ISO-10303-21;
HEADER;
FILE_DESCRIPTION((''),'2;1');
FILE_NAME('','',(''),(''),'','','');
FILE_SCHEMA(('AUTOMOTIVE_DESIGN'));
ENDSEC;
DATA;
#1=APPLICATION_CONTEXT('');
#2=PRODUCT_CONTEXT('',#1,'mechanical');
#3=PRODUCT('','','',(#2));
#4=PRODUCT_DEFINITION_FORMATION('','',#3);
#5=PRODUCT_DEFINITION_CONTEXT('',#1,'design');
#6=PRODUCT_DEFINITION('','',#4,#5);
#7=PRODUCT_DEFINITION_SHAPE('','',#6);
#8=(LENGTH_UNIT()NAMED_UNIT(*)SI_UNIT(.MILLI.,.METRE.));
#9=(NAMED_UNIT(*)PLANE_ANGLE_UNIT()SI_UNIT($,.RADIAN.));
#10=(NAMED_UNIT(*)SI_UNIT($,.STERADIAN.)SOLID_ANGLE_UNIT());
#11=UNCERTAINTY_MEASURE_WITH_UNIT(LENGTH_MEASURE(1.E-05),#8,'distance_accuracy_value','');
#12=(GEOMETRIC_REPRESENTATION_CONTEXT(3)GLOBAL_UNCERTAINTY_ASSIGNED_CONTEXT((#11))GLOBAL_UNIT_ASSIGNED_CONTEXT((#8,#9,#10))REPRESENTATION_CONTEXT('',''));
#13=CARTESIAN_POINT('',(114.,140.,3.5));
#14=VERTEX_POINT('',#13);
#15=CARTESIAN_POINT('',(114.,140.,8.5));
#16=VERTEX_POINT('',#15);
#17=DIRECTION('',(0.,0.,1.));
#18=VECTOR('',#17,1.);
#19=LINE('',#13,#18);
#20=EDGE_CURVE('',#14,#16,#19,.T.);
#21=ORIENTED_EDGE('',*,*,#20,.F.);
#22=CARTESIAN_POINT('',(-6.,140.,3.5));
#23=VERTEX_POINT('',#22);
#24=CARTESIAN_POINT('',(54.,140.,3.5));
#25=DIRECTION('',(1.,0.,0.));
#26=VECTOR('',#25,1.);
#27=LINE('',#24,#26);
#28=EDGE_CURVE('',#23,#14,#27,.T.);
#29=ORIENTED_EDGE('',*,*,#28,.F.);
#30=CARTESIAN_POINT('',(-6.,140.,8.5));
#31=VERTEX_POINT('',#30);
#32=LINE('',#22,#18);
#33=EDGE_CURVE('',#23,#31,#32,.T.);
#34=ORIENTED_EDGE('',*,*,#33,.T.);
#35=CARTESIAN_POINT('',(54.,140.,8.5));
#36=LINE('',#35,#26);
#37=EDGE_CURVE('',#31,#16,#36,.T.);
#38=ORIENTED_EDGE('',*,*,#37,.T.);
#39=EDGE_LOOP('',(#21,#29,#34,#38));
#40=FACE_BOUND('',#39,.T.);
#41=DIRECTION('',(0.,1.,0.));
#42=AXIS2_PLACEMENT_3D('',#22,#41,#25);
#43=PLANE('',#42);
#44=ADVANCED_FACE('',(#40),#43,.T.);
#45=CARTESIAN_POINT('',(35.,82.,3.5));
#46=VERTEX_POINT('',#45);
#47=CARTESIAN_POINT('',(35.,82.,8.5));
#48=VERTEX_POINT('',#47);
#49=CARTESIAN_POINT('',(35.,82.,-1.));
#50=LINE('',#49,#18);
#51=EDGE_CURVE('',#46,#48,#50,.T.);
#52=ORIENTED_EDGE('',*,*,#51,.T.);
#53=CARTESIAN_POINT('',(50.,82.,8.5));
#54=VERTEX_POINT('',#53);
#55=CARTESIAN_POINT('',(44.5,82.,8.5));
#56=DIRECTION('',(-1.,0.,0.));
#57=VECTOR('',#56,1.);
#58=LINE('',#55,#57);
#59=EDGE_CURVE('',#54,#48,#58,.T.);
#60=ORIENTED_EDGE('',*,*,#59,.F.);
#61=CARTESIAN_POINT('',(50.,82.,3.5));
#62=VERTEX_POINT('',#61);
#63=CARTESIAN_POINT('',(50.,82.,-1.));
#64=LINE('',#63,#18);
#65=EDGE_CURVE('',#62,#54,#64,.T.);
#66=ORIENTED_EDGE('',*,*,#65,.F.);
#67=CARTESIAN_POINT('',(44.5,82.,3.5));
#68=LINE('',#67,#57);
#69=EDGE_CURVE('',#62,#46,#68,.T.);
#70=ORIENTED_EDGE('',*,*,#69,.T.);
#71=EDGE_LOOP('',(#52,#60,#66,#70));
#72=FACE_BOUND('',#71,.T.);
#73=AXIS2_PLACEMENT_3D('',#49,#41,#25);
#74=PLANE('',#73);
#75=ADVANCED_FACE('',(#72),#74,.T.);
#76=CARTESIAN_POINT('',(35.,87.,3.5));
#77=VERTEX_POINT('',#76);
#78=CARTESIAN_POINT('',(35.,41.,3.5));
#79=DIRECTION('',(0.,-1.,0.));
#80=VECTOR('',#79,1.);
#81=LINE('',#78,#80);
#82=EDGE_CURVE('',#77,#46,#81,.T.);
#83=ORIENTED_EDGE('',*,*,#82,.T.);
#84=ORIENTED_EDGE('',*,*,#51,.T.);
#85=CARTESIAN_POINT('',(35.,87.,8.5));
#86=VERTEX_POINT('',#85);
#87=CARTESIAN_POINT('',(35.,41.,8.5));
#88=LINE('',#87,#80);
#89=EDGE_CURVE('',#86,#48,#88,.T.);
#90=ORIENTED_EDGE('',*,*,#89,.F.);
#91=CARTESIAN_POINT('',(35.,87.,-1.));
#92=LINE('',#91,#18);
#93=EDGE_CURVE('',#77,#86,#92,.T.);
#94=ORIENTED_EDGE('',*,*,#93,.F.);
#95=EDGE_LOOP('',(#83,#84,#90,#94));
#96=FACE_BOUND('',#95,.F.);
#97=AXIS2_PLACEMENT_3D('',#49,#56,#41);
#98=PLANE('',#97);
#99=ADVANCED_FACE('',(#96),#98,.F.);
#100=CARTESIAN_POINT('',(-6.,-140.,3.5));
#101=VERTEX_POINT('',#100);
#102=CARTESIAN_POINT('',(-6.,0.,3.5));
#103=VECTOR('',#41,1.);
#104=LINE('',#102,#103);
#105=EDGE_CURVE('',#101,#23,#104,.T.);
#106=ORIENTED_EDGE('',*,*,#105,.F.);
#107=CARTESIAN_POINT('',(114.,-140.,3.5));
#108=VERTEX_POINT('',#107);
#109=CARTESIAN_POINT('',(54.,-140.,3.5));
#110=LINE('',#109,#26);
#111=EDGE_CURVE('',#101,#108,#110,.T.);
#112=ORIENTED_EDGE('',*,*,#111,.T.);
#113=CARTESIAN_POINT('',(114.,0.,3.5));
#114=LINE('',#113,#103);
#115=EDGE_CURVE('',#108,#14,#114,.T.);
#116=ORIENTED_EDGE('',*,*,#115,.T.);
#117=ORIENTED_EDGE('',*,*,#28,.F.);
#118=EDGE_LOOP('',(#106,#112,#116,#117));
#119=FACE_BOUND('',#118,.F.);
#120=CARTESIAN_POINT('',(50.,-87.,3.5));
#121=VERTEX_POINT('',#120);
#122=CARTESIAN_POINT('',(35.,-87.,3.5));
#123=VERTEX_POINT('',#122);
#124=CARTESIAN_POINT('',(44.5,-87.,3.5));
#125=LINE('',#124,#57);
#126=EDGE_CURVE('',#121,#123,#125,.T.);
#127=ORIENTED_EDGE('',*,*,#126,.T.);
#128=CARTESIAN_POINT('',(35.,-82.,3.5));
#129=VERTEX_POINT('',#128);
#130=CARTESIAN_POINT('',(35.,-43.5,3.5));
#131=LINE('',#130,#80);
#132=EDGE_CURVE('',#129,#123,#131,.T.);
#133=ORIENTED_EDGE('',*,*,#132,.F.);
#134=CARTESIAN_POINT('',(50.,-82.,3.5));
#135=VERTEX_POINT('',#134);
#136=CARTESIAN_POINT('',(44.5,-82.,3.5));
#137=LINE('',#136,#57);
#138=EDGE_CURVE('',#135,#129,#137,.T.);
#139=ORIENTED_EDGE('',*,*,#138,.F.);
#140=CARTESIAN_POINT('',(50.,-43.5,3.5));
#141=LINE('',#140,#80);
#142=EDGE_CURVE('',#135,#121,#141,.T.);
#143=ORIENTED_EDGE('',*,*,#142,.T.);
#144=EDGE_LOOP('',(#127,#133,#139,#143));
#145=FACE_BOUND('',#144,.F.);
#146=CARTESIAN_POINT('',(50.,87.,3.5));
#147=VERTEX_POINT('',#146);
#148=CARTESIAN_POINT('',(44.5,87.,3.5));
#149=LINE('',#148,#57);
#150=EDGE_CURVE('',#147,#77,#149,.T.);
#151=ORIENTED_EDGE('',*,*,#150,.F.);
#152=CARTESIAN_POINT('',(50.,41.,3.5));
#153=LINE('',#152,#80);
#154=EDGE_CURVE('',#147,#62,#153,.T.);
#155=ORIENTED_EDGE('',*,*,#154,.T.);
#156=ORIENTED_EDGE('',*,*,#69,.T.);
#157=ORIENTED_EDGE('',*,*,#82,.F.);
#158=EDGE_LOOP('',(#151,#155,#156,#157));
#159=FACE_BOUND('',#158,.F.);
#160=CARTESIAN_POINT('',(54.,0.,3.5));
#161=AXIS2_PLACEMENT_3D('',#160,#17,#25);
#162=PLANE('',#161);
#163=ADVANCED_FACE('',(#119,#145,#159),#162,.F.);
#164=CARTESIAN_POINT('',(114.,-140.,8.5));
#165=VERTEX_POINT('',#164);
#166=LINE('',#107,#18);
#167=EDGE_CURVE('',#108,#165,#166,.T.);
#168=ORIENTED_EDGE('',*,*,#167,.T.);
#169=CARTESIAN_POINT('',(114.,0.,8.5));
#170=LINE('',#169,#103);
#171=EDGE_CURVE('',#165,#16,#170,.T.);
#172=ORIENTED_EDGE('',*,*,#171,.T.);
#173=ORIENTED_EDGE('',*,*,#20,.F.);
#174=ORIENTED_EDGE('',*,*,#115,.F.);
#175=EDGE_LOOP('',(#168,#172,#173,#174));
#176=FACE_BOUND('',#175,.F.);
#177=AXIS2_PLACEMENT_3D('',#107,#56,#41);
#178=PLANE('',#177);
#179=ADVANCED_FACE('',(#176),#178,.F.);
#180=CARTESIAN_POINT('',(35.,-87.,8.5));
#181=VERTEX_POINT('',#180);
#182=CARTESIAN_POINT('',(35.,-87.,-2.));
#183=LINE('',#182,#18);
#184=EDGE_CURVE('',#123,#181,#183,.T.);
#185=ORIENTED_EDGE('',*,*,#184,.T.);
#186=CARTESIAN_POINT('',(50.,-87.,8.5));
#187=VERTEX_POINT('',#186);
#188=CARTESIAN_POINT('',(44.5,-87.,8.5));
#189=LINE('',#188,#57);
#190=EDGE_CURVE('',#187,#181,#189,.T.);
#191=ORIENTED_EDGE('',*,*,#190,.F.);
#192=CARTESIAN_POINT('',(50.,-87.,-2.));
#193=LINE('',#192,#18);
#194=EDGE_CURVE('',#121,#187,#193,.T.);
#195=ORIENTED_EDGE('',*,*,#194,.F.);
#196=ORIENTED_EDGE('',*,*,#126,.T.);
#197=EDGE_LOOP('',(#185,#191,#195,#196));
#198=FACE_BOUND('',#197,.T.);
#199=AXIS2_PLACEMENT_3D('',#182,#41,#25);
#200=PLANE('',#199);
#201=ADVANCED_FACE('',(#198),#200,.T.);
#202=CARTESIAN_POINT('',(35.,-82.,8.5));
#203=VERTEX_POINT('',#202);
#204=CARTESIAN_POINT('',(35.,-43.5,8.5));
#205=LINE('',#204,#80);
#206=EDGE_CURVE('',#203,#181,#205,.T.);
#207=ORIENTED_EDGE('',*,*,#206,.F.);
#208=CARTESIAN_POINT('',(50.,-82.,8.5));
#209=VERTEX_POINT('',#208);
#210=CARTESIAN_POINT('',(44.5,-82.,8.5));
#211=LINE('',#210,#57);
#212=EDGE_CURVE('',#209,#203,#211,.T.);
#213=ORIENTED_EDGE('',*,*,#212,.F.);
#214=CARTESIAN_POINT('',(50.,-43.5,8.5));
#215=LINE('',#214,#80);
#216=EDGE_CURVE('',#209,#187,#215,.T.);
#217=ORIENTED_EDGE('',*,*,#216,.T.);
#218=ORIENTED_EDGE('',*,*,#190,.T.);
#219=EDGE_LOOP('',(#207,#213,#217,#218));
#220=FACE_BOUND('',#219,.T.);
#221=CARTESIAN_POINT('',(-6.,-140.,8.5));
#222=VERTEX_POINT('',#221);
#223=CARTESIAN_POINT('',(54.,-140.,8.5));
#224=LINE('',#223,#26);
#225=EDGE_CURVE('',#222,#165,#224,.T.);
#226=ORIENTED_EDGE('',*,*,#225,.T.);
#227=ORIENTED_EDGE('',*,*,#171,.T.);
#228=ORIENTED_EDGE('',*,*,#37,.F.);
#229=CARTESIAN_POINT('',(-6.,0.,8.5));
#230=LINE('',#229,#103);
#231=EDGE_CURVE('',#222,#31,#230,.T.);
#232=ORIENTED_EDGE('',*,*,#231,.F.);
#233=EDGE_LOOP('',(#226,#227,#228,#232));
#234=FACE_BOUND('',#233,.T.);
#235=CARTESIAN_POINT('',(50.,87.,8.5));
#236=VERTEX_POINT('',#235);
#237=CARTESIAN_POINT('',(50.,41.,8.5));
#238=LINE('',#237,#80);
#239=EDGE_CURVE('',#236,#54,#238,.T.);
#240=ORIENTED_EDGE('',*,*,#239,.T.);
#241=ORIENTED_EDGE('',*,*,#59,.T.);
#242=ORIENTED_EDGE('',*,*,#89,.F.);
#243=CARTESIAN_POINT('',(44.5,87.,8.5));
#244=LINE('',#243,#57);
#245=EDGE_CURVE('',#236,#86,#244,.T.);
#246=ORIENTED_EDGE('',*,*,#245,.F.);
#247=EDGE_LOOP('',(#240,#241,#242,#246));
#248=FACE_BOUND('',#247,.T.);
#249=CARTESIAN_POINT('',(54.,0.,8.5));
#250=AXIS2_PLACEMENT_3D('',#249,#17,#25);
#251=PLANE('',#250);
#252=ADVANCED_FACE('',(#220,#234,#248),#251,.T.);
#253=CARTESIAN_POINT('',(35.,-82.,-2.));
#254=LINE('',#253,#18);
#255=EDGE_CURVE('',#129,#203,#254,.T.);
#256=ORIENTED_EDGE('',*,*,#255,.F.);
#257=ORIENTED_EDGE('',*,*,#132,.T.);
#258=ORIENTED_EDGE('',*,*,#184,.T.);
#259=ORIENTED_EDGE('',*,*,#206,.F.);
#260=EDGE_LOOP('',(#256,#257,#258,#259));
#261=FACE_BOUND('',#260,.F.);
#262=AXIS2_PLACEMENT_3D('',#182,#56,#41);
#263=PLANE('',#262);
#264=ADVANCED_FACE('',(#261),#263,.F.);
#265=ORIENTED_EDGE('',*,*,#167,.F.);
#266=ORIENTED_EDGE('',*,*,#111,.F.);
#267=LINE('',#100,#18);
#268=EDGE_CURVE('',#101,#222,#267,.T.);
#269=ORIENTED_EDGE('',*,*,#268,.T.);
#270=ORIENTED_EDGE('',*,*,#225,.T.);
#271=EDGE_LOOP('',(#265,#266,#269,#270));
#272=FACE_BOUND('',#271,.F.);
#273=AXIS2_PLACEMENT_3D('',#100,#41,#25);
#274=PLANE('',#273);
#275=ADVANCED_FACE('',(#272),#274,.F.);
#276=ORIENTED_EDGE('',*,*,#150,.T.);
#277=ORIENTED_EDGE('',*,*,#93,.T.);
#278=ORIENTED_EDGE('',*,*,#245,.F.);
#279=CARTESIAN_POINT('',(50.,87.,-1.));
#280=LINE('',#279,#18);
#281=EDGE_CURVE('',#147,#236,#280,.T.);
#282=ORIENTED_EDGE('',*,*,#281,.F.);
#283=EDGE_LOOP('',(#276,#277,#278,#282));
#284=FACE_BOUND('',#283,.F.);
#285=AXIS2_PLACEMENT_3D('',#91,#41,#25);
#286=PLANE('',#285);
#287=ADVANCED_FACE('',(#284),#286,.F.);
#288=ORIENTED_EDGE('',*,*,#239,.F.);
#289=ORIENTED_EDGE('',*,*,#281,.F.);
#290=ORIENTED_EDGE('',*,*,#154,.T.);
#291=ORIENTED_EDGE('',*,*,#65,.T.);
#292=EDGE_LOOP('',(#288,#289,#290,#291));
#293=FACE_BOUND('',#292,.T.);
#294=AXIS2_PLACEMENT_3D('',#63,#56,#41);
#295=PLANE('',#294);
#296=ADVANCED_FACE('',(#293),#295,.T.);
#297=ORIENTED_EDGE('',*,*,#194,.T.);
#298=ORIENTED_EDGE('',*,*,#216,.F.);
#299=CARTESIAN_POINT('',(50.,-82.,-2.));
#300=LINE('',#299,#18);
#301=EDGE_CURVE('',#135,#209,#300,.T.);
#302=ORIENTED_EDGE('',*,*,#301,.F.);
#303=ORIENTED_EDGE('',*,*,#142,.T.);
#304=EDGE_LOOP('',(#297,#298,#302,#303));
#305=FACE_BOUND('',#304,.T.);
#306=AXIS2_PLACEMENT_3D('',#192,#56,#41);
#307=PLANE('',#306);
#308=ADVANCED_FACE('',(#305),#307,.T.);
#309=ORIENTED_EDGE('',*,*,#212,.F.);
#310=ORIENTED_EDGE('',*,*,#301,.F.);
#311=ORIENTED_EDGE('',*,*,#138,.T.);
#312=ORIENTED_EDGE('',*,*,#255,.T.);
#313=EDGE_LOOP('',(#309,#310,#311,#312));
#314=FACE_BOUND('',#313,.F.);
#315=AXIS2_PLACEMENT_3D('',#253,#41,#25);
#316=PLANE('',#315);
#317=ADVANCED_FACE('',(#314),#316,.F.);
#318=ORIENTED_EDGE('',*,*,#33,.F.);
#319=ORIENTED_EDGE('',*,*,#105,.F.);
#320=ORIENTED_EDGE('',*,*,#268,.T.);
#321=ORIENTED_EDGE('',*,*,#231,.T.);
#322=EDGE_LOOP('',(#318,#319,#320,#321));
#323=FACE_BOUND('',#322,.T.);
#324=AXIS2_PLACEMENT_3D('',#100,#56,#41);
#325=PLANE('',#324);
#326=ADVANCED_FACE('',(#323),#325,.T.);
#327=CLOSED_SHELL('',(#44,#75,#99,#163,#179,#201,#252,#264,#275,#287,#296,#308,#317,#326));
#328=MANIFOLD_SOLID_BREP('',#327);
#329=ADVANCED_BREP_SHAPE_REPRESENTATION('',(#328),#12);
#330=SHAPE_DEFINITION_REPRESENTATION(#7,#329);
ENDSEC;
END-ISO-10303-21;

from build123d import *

# Parameters (mm, degrees)
BOX005_W     = 15
BOX005_H     = 5
BOX005_DEPTH = 16
BOX004_W     = 15
BOX004_H     = 5
BOX004_DEPTH = 16
BOX_W        = 120
BOX_H        = 280
BOX_DEPTH    = 5


with BuildPart() as cubo004:
    # Box005 → Box005 (new body)
    with BuildSketch(Plane(origin=(35, 82, 69), x_dir=(1, 0, 0), z_dir=(0, 0, 1))):
        with Locations((7.5, 2.5)):
            Rectangle(BOX005_W, BOX005_H)
    extrude(amount=BOX005_DEPTH)


with BuildPart() as cubo003:
    # Box004 → Box004 (new body)
    with BuildSketch(Plane(origin=(35, -87, 68), x_dir=(1, 0, 0), z_dir=(0, 0, 1))):
        with Locations((7.5, 2.5)):
            Rectangle(BOX004_W, BOX004_H)
    extrude(amount=BOX004_DEPTH)


with BuildPart() as tabla_cortes:
    # Box → Box (new body)
    with BuildSketch(Plane(origin=(-6, -140, 73.5), x_dir=(1, 0, 0), z_dir=(0, 0, 1))):
        with Locations((60, 140)):
            Rectangle(BOX_W, BOX_H)
    extrude(amount=BOX_DEPTH)

    # Cut003: cut Cubo003
    add(cubo003.part, mode=Mode.SUBTRACT)

    # Cut004: cut Cubo004
    add(cubo004.part, mode=Mode.SUBTRACT)


with BuildPart() as tabla_cortes_1:
    # Cut004 placement: moved
    add(tabla_cortes.part.moved(Location((0, 0, -70))))


solid = tabla_cortes_1.part
